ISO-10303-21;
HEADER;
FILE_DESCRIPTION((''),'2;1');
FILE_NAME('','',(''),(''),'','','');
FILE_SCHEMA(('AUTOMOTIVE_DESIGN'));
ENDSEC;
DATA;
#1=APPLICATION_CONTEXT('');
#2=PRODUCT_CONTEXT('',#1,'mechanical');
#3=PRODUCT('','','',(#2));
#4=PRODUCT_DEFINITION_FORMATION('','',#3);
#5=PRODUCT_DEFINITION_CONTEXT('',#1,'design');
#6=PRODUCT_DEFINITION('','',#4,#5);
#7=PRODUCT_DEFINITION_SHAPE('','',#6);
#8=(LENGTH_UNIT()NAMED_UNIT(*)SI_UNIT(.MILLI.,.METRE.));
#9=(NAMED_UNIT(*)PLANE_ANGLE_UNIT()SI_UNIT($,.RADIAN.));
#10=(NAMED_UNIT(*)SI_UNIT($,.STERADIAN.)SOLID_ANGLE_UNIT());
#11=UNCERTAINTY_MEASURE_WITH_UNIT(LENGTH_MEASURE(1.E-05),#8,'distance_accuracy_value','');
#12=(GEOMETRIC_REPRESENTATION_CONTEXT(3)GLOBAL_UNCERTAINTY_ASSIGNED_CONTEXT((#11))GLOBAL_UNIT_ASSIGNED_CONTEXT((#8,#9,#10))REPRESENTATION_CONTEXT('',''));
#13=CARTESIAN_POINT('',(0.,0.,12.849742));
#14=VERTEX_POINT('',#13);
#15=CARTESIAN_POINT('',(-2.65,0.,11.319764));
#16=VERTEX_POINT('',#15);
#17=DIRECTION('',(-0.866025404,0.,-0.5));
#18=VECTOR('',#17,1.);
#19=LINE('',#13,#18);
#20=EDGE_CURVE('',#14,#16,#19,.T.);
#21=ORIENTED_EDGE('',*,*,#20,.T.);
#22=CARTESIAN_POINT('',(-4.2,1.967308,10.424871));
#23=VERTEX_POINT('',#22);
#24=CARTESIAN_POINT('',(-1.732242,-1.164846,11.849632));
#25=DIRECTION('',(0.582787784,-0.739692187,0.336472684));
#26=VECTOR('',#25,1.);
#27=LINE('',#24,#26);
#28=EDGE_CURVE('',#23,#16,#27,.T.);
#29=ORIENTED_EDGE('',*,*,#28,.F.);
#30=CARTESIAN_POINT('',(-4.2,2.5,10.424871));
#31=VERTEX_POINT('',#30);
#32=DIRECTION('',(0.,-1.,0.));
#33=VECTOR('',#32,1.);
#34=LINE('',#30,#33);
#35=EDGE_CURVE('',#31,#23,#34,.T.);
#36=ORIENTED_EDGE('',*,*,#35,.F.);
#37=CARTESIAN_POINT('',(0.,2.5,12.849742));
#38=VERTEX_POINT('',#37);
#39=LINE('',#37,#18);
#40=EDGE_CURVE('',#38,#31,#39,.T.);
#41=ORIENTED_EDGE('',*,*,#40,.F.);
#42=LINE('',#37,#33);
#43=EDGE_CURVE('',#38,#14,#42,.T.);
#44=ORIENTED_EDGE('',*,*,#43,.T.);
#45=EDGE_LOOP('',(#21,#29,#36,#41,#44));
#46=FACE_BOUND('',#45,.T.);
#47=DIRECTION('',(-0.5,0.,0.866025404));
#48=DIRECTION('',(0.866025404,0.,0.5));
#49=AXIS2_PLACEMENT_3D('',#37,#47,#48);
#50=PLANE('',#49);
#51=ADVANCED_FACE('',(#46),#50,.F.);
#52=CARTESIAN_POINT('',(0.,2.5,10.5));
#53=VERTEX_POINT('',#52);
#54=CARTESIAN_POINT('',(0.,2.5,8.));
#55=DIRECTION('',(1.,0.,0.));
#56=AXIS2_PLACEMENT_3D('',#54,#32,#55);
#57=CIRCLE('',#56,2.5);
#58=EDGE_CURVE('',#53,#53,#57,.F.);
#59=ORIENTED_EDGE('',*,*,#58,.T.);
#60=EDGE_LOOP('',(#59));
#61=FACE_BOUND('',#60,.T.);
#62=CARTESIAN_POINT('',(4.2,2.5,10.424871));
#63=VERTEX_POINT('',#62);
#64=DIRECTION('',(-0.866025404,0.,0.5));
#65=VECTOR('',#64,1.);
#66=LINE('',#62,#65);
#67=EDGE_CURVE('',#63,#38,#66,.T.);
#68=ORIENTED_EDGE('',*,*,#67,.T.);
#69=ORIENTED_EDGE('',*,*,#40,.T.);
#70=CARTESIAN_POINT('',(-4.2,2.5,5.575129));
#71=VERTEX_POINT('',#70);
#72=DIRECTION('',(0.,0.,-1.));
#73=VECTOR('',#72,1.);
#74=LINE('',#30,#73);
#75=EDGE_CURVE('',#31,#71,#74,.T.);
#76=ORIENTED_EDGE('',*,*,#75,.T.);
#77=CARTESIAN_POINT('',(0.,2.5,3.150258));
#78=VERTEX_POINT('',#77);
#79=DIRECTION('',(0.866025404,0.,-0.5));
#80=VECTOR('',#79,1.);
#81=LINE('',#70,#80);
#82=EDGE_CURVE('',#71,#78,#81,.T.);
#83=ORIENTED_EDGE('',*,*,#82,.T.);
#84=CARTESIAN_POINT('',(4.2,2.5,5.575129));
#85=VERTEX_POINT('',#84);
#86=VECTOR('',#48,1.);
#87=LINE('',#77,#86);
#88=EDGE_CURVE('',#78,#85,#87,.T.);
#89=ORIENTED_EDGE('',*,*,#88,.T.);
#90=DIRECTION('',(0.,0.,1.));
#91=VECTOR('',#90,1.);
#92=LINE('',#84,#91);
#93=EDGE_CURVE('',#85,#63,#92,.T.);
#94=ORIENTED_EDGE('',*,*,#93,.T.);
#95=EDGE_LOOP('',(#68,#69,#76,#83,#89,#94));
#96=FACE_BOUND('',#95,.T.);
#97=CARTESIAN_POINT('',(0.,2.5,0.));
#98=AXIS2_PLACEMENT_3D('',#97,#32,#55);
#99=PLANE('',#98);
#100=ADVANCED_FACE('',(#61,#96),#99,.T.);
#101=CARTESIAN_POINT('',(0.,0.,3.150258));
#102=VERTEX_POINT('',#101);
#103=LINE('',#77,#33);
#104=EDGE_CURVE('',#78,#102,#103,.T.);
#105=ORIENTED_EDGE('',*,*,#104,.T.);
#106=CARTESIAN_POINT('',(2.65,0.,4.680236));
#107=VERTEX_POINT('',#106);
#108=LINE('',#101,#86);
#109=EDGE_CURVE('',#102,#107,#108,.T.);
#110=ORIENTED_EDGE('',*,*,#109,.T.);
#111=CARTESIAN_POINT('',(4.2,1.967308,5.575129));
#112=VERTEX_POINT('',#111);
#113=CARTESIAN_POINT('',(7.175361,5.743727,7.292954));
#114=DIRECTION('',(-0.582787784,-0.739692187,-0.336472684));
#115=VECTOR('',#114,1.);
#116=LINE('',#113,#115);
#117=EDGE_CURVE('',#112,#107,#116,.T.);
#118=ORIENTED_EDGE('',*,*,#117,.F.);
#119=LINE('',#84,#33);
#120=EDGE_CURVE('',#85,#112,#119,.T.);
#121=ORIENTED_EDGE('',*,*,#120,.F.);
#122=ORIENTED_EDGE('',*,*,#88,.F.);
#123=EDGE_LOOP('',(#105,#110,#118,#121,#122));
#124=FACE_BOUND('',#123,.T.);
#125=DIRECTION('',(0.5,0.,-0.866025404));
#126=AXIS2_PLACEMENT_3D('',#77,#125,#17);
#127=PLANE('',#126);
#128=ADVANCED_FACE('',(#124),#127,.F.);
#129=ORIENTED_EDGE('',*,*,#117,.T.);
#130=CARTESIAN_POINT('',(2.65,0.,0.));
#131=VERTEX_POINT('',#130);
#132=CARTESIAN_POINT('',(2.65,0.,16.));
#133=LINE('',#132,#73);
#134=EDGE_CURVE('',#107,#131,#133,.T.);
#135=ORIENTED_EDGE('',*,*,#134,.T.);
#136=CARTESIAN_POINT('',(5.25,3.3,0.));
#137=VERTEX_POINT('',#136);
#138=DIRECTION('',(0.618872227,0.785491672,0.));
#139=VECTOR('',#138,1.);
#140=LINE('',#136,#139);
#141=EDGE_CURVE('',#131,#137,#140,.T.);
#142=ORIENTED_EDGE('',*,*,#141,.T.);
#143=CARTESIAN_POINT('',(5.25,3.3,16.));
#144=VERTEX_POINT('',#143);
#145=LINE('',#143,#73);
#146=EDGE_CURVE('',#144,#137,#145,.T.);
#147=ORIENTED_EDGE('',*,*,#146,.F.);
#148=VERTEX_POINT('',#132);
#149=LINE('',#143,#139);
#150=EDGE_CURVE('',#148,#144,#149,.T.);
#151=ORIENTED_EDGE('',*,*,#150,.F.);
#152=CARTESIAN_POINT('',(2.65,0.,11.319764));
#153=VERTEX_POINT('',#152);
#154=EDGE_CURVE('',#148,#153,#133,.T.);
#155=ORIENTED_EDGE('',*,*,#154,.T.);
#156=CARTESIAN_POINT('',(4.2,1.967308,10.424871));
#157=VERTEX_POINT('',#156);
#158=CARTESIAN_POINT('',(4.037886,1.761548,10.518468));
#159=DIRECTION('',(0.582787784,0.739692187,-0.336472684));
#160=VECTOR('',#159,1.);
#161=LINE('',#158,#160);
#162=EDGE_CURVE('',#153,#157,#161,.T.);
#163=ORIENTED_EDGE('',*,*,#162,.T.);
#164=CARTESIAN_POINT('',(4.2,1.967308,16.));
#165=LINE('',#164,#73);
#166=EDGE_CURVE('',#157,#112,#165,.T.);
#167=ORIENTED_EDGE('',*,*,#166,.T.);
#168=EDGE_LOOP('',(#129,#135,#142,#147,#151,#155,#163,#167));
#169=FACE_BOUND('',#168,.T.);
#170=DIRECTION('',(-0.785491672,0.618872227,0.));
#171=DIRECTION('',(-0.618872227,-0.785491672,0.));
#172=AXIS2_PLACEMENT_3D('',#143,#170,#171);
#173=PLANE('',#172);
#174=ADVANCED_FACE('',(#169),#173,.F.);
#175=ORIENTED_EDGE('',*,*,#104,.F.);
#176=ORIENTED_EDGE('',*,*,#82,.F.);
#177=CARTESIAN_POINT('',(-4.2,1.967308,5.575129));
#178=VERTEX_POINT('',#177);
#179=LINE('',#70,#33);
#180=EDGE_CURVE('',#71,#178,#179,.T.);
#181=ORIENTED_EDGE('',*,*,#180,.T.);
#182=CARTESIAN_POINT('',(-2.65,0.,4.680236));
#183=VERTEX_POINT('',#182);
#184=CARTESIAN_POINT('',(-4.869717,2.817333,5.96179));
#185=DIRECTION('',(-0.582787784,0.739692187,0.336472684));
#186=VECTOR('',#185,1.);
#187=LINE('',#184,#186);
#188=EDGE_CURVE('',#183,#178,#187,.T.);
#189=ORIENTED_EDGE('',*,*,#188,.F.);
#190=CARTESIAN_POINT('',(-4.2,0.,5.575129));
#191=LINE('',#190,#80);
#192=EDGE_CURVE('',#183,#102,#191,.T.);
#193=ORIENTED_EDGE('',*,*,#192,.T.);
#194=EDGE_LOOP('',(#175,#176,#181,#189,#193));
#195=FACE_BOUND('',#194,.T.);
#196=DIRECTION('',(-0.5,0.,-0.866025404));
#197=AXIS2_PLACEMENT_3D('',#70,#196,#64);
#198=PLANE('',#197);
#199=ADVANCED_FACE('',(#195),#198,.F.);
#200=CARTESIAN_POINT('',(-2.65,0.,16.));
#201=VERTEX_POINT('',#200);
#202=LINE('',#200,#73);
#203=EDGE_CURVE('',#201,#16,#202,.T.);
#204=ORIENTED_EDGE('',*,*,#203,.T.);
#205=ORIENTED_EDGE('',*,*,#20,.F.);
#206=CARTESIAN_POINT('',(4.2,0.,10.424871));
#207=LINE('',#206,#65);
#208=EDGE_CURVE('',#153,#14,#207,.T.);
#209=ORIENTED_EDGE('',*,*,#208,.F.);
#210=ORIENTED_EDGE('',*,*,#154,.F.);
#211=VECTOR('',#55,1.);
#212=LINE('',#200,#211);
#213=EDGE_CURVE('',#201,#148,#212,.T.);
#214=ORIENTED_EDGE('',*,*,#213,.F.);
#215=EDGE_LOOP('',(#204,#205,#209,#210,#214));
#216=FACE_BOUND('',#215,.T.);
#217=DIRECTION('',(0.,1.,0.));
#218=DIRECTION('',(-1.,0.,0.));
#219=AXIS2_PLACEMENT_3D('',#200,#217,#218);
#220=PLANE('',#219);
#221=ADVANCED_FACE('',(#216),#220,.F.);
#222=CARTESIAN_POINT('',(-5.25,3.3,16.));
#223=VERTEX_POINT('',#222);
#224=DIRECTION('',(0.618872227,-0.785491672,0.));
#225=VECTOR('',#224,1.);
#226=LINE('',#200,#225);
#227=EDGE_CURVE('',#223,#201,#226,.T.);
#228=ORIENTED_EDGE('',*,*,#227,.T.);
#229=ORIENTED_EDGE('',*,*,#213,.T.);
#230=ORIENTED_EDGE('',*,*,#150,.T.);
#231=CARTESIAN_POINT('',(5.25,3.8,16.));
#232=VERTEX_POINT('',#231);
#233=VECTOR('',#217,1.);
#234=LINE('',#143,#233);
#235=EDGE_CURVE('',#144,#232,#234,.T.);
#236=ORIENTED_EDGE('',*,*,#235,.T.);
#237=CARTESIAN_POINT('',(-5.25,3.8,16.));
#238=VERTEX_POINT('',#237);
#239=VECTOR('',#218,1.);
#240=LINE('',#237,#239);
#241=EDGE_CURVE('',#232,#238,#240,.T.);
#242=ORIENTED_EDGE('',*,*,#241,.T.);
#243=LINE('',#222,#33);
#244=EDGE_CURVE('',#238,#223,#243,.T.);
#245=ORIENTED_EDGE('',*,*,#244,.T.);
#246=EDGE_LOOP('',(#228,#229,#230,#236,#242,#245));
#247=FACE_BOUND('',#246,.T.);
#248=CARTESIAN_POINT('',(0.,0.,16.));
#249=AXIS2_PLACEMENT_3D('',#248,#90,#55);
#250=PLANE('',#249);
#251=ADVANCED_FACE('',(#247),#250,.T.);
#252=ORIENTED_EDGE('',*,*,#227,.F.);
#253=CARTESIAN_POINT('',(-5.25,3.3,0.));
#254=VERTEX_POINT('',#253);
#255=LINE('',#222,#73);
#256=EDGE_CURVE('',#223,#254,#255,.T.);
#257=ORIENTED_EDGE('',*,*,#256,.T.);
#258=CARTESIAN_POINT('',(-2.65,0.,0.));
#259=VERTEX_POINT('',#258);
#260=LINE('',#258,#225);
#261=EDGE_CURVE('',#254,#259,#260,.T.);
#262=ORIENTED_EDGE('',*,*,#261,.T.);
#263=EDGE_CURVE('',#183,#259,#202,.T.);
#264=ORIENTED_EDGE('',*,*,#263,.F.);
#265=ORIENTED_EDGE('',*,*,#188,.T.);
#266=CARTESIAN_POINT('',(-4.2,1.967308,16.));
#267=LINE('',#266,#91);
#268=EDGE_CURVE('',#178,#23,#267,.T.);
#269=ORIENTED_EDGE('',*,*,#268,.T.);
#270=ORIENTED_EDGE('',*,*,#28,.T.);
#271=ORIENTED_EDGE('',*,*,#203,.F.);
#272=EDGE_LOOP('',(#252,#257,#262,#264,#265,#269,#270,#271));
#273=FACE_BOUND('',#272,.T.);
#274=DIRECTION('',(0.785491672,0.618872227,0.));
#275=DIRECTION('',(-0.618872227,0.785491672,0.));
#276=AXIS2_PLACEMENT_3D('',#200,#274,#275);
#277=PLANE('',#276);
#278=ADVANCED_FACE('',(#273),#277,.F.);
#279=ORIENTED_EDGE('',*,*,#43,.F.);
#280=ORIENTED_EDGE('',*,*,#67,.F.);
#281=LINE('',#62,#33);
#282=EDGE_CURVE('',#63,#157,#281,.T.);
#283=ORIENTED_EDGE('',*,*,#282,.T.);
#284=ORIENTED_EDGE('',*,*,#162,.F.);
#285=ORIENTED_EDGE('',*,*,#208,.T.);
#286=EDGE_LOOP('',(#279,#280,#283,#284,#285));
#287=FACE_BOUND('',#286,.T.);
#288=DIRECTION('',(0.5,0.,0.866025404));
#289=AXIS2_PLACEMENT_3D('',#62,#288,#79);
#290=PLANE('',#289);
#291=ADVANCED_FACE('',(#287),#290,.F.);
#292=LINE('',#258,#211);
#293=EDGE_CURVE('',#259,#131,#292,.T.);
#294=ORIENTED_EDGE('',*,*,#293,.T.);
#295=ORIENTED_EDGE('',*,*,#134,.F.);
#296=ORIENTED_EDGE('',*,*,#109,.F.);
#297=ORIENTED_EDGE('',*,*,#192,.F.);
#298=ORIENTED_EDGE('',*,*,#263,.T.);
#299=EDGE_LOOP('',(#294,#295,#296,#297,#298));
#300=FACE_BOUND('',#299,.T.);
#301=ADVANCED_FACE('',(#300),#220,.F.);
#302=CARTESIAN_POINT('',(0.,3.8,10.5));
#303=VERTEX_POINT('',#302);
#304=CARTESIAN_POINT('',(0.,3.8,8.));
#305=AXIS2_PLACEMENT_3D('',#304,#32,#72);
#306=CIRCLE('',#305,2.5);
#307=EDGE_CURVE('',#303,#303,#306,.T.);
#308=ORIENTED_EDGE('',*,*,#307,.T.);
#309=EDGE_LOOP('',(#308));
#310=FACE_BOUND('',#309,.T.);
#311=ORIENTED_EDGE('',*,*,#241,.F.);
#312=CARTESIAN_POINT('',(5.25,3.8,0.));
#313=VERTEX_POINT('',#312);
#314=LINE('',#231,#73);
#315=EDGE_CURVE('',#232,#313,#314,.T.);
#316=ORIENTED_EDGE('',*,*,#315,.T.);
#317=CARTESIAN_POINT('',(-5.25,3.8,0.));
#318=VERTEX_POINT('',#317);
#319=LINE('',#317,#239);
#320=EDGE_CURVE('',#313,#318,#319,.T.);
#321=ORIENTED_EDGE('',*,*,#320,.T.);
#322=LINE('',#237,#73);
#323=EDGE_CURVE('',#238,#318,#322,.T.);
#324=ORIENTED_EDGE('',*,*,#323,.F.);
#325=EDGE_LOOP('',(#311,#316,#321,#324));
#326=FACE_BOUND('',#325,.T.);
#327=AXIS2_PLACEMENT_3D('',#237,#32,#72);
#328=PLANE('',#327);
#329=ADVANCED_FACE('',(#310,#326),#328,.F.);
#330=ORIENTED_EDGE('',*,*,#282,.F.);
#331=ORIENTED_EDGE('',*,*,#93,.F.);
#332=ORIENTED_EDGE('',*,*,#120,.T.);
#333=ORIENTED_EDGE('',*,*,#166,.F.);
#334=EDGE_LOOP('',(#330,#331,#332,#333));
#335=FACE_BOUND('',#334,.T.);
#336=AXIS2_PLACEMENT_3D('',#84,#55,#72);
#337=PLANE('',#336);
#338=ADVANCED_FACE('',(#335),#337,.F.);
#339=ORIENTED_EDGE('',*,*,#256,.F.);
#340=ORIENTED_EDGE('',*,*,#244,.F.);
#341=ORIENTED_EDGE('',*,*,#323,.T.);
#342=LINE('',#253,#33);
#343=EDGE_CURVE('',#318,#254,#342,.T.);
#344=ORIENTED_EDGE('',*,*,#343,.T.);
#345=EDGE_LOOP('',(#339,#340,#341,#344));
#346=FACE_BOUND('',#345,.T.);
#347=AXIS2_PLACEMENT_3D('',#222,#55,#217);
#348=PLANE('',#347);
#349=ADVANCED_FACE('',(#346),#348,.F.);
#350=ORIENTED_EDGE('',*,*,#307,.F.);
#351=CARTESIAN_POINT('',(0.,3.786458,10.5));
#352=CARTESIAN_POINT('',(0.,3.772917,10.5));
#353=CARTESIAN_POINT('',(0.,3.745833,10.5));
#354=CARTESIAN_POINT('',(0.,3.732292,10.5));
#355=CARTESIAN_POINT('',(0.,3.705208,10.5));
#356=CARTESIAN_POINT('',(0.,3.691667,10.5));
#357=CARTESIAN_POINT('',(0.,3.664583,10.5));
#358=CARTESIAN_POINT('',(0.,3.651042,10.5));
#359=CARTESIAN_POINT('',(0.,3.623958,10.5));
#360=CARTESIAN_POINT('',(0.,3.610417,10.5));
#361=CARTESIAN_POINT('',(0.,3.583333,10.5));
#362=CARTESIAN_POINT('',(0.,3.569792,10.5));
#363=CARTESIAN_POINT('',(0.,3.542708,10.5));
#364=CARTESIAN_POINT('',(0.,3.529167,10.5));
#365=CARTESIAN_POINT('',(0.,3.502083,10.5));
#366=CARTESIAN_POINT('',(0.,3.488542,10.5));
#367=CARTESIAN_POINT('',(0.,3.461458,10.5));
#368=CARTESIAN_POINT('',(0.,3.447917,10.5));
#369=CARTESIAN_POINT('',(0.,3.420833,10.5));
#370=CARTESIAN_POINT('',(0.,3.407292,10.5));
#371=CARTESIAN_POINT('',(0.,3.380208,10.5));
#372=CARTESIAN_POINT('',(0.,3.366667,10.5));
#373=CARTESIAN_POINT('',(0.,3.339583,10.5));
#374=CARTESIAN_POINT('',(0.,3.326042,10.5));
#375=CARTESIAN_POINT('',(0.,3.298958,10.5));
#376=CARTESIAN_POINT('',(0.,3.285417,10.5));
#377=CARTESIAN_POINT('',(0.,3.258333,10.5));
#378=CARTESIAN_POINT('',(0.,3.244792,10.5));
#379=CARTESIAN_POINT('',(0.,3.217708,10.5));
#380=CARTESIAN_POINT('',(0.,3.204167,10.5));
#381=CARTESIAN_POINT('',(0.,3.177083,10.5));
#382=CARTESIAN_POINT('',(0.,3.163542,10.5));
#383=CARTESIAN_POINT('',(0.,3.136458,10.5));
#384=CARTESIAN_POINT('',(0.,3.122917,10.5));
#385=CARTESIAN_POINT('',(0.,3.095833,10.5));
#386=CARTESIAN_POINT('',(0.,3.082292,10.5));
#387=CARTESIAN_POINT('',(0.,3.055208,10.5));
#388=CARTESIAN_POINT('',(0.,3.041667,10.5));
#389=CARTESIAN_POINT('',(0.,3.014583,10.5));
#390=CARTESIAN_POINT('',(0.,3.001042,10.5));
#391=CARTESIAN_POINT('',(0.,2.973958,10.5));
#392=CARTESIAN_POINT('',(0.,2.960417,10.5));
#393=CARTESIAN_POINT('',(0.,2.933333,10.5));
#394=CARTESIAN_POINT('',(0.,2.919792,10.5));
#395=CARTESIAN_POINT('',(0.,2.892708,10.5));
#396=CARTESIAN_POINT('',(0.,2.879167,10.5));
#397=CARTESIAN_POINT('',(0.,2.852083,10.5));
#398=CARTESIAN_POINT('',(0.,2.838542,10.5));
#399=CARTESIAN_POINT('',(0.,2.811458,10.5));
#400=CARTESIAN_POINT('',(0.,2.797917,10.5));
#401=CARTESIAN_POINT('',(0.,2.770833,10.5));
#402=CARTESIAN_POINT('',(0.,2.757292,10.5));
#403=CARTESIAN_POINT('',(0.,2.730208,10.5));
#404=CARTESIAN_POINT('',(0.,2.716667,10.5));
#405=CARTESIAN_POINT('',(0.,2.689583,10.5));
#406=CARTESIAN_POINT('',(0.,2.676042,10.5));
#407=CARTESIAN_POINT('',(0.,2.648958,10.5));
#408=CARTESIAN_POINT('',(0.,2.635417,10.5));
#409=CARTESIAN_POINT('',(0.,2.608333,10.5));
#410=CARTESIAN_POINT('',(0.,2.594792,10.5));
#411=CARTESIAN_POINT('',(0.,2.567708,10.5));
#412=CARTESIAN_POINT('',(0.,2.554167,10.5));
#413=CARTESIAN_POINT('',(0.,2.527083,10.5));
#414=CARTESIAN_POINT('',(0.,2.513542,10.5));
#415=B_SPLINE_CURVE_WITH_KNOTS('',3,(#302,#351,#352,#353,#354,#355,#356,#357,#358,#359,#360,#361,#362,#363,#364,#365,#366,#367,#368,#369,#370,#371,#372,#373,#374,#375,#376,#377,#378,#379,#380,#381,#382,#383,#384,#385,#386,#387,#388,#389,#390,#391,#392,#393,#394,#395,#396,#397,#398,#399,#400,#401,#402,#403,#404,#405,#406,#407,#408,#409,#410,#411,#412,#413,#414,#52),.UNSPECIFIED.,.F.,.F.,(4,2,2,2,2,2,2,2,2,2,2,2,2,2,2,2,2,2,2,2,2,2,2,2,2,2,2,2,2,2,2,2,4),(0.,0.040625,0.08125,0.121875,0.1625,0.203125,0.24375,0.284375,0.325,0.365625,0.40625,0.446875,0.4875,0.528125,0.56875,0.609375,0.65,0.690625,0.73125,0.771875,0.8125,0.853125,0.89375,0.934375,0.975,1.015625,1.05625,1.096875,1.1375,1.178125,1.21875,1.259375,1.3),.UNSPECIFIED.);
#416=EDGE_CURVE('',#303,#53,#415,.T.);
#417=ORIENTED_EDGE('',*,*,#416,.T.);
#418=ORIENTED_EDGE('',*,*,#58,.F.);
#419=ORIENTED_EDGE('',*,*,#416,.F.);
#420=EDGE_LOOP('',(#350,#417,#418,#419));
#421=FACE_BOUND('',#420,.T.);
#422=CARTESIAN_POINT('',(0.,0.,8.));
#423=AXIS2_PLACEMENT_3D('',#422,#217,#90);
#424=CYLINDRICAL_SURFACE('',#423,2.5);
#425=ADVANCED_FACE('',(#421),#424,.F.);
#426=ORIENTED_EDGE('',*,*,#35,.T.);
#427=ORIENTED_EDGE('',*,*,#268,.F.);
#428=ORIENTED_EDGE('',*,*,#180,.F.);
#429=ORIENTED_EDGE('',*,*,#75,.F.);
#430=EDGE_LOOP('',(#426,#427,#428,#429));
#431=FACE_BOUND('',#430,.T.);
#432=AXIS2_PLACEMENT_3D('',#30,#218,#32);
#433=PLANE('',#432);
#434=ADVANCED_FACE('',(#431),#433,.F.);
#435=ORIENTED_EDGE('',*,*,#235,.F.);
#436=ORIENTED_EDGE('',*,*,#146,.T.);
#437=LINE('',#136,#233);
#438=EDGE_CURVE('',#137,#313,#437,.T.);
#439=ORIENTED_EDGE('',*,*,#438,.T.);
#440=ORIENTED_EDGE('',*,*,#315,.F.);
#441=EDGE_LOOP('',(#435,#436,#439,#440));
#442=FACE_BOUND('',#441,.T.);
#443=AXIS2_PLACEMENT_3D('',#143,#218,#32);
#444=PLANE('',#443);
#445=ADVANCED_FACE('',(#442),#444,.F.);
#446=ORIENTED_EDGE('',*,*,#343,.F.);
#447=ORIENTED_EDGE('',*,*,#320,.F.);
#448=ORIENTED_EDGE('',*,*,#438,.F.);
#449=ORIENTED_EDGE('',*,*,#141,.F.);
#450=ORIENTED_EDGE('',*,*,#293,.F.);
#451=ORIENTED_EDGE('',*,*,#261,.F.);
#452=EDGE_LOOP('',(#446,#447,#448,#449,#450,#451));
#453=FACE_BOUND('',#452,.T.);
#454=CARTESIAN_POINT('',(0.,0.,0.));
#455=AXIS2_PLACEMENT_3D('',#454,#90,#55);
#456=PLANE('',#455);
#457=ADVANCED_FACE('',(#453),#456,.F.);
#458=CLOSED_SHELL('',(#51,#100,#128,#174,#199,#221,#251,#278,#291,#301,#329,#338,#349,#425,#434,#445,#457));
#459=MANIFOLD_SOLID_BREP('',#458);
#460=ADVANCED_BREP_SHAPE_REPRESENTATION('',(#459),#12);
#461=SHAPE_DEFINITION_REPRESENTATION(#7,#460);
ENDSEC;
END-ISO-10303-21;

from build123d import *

# Parameters (mm, degrees)
RESSALTO_EXTRUS_O1_DEPTH   = 16
CORTE_EXTRUS_O1_DEPTH      = 18.262748912
CORTE_EXTRUS_O1_DEPTH_BACK = 18.262748912
ESBO_O2_R                  = 2.5
CORTE_EXTRUS_O2_DEPTH      = 2.5


with BuildPart() as part:
    # Esboço1 → Ressalto-extrusão1 (new body)
    with BuildSketch(Plane.XY):
        Polygon((-2.65, 0), (2.65, 0), (5.25, 3.3), (5.25, 3.8), (-5.25, 3.8), (-5.25, 3.3), align=None)
    extrude(amount=RESSALTO_EXTRUS_O1_DEPTH)

    # Esboço2 → Corte-extrusão1 (cut, two sides: drawn at the far end of the back side and taken through both)
    with BuildSketch(Plane(origin=(0, 3.8, 0), x_dir=(1, 0, 0), z_dir=(0, 1, 0)).offset(-CORTE_EXTRUS_O1_DEPTH_BACK)):
        with Locations(Location((0, -8, 0), (0, 0, 270))):
            Circle(ESBO_O2_R)
    extrude(amount=CORTE_EXTRUS_O1_DEPTH + CORTE_EXTRUS_O1_DEPTH_BACK, mode=Mode.SUBTRACT)

    # Esboço3 → Corte-extrusão2 (cut)
    with BuildSketch(Plane.XZ):
        Polygon((0, 12.849742261), (-4.2, 10.424871131), (-4.2, 5.575128869), (0, 3.150257739), (4.2, 5.575128869), (4.2, 10.424871131), align=None)
    extrude(amount=-CORTE_EXTRUS_O2_DEPTH, mode=Mode.SUBTRACT)


solid = part.part
